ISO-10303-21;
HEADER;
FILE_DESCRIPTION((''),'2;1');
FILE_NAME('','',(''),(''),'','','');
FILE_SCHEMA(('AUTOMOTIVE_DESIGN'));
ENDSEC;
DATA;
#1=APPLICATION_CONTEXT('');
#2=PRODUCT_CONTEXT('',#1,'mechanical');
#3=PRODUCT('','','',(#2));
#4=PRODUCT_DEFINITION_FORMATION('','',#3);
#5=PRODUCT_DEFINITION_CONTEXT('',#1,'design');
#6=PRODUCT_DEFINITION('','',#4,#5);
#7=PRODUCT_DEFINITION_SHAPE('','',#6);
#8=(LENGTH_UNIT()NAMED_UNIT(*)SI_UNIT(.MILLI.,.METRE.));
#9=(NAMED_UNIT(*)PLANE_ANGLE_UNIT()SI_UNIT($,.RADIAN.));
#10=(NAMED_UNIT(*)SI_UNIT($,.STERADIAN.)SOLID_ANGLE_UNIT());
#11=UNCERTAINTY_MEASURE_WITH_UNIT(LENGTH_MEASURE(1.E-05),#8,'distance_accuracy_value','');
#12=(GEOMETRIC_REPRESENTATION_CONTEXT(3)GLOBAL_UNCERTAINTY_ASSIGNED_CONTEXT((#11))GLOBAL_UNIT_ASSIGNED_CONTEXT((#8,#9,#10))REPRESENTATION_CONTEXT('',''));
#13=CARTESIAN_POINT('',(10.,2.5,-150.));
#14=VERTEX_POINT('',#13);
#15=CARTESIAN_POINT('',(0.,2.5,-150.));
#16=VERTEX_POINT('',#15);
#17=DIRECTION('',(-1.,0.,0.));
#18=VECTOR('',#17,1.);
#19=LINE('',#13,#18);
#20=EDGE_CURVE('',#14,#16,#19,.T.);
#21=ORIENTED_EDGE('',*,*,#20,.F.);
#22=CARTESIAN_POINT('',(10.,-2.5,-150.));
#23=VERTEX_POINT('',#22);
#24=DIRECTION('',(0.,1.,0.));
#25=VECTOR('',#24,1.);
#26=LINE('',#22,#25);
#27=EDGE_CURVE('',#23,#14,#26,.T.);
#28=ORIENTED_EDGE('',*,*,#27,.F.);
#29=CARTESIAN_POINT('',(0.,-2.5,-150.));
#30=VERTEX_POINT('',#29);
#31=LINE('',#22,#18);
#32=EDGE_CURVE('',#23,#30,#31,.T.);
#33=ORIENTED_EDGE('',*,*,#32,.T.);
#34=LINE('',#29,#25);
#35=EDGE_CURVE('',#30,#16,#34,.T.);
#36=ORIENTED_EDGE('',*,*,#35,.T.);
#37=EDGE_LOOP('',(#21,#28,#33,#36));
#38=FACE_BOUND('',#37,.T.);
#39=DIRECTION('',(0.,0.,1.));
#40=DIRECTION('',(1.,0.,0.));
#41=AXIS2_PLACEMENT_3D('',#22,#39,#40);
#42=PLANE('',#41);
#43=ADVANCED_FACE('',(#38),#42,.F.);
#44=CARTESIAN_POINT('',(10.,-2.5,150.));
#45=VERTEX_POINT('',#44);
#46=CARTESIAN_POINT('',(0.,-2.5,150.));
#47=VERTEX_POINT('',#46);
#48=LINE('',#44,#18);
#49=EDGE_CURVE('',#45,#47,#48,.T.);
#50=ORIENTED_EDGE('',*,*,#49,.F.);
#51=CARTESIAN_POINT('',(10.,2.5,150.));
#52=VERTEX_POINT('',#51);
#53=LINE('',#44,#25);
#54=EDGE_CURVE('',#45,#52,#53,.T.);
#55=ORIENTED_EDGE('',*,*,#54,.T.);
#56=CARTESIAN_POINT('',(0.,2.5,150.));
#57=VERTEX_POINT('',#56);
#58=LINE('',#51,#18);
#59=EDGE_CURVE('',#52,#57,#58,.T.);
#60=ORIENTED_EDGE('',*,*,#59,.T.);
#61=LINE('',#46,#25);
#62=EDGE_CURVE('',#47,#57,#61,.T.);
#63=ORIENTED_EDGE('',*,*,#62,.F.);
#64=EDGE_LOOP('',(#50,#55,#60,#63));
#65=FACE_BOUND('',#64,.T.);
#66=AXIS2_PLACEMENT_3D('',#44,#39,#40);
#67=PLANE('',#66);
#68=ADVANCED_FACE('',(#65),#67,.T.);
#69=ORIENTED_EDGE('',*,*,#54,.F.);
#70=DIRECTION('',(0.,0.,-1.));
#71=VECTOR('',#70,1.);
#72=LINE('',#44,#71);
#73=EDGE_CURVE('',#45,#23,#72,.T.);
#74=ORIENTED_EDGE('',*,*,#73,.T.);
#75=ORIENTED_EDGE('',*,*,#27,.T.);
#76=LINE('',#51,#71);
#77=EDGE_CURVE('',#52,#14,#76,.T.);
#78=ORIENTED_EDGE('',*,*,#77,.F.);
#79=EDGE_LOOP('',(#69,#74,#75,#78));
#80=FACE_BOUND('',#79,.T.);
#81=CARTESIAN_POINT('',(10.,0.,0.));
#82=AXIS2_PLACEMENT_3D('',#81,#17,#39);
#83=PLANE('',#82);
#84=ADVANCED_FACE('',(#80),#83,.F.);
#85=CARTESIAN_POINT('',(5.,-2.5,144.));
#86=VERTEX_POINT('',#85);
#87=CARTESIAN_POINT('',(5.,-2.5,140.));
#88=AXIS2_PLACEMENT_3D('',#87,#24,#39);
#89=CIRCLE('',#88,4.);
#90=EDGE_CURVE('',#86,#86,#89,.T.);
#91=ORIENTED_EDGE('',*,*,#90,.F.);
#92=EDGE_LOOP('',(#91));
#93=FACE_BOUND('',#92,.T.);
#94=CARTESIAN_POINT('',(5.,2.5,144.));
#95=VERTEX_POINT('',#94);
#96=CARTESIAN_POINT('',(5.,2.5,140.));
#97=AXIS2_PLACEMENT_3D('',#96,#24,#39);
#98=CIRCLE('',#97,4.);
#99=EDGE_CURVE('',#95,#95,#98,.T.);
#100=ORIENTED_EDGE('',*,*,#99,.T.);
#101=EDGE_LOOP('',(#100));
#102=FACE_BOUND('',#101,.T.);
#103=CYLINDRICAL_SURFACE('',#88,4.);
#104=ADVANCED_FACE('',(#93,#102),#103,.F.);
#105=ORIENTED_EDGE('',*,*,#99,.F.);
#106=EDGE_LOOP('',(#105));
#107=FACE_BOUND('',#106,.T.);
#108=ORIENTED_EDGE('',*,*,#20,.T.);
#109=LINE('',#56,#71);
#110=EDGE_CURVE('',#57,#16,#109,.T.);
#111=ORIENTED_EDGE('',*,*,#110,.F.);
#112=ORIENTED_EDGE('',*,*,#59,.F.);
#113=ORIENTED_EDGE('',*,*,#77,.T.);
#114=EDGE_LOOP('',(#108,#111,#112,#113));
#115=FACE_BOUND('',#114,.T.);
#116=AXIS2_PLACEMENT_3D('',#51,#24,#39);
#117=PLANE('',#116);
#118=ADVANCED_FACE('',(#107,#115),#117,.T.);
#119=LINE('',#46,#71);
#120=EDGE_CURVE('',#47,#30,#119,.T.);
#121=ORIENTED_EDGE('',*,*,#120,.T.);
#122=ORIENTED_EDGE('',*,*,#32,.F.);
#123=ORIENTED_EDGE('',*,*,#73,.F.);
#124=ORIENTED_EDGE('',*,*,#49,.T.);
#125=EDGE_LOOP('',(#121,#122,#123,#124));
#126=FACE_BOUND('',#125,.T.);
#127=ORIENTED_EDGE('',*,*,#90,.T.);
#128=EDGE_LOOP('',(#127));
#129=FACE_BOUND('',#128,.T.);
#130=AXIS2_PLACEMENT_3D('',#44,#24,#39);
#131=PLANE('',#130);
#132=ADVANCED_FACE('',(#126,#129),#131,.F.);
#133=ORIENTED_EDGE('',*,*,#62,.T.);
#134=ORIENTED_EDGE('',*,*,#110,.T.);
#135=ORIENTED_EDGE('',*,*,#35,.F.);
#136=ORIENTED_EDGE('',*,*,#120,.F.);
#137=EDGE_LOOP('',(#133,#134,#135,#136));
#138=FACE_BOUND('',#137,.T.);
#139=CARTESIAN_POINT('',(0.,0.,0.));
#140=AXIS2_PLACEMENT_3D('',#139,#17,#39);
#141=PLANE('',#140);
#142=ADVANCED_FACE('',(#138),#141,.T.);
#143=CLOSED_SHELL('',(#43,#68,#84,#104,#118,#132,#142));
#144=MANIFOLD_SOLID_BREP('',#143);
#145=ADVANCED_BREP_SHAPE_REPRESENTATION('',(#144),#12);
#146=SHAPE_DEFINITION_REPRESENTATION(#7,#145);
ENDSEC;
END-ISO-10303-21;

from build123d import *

# Parameters (mm, degrees)
SKETCH1_W           = 300
SKETCH1_H           = 5
BOSS_EXTRUDE1_DEPTH = 10
SKETCH2_R           = 4
CUT_EXTRUDE1_DEPTH  = 151.416089565


with BuildPart() as part:
    # Sketch1 → Boss-Extrude1 (new body)
    with BuildSketch(Plane(origin=(0, 0, 0), x_dir=(0, 0, -1), z_dir=(1, 0, 0))):
        Rectangle(SKETCH1_W, SKETCH1_H)
    extrude(amount=BOSS_EXTRUDE1_DEPTH)

    # Sketch2 → Cut-Extrude1 (cut, through all)
    with BuildSketch(Plane(origin=(0, 2.5, 0), x_dir=(1, 0, 0), z_dir=(0, 1, 0))):
        with Locations(Location((5, -140, 0), (0, 0, 270))):
            Circle(SKETCH2_R)
    extrude(amount=-CUT_EXTRUDE1_DEPTH, mode=Mode.SUBTRACT)


solid = part.part
